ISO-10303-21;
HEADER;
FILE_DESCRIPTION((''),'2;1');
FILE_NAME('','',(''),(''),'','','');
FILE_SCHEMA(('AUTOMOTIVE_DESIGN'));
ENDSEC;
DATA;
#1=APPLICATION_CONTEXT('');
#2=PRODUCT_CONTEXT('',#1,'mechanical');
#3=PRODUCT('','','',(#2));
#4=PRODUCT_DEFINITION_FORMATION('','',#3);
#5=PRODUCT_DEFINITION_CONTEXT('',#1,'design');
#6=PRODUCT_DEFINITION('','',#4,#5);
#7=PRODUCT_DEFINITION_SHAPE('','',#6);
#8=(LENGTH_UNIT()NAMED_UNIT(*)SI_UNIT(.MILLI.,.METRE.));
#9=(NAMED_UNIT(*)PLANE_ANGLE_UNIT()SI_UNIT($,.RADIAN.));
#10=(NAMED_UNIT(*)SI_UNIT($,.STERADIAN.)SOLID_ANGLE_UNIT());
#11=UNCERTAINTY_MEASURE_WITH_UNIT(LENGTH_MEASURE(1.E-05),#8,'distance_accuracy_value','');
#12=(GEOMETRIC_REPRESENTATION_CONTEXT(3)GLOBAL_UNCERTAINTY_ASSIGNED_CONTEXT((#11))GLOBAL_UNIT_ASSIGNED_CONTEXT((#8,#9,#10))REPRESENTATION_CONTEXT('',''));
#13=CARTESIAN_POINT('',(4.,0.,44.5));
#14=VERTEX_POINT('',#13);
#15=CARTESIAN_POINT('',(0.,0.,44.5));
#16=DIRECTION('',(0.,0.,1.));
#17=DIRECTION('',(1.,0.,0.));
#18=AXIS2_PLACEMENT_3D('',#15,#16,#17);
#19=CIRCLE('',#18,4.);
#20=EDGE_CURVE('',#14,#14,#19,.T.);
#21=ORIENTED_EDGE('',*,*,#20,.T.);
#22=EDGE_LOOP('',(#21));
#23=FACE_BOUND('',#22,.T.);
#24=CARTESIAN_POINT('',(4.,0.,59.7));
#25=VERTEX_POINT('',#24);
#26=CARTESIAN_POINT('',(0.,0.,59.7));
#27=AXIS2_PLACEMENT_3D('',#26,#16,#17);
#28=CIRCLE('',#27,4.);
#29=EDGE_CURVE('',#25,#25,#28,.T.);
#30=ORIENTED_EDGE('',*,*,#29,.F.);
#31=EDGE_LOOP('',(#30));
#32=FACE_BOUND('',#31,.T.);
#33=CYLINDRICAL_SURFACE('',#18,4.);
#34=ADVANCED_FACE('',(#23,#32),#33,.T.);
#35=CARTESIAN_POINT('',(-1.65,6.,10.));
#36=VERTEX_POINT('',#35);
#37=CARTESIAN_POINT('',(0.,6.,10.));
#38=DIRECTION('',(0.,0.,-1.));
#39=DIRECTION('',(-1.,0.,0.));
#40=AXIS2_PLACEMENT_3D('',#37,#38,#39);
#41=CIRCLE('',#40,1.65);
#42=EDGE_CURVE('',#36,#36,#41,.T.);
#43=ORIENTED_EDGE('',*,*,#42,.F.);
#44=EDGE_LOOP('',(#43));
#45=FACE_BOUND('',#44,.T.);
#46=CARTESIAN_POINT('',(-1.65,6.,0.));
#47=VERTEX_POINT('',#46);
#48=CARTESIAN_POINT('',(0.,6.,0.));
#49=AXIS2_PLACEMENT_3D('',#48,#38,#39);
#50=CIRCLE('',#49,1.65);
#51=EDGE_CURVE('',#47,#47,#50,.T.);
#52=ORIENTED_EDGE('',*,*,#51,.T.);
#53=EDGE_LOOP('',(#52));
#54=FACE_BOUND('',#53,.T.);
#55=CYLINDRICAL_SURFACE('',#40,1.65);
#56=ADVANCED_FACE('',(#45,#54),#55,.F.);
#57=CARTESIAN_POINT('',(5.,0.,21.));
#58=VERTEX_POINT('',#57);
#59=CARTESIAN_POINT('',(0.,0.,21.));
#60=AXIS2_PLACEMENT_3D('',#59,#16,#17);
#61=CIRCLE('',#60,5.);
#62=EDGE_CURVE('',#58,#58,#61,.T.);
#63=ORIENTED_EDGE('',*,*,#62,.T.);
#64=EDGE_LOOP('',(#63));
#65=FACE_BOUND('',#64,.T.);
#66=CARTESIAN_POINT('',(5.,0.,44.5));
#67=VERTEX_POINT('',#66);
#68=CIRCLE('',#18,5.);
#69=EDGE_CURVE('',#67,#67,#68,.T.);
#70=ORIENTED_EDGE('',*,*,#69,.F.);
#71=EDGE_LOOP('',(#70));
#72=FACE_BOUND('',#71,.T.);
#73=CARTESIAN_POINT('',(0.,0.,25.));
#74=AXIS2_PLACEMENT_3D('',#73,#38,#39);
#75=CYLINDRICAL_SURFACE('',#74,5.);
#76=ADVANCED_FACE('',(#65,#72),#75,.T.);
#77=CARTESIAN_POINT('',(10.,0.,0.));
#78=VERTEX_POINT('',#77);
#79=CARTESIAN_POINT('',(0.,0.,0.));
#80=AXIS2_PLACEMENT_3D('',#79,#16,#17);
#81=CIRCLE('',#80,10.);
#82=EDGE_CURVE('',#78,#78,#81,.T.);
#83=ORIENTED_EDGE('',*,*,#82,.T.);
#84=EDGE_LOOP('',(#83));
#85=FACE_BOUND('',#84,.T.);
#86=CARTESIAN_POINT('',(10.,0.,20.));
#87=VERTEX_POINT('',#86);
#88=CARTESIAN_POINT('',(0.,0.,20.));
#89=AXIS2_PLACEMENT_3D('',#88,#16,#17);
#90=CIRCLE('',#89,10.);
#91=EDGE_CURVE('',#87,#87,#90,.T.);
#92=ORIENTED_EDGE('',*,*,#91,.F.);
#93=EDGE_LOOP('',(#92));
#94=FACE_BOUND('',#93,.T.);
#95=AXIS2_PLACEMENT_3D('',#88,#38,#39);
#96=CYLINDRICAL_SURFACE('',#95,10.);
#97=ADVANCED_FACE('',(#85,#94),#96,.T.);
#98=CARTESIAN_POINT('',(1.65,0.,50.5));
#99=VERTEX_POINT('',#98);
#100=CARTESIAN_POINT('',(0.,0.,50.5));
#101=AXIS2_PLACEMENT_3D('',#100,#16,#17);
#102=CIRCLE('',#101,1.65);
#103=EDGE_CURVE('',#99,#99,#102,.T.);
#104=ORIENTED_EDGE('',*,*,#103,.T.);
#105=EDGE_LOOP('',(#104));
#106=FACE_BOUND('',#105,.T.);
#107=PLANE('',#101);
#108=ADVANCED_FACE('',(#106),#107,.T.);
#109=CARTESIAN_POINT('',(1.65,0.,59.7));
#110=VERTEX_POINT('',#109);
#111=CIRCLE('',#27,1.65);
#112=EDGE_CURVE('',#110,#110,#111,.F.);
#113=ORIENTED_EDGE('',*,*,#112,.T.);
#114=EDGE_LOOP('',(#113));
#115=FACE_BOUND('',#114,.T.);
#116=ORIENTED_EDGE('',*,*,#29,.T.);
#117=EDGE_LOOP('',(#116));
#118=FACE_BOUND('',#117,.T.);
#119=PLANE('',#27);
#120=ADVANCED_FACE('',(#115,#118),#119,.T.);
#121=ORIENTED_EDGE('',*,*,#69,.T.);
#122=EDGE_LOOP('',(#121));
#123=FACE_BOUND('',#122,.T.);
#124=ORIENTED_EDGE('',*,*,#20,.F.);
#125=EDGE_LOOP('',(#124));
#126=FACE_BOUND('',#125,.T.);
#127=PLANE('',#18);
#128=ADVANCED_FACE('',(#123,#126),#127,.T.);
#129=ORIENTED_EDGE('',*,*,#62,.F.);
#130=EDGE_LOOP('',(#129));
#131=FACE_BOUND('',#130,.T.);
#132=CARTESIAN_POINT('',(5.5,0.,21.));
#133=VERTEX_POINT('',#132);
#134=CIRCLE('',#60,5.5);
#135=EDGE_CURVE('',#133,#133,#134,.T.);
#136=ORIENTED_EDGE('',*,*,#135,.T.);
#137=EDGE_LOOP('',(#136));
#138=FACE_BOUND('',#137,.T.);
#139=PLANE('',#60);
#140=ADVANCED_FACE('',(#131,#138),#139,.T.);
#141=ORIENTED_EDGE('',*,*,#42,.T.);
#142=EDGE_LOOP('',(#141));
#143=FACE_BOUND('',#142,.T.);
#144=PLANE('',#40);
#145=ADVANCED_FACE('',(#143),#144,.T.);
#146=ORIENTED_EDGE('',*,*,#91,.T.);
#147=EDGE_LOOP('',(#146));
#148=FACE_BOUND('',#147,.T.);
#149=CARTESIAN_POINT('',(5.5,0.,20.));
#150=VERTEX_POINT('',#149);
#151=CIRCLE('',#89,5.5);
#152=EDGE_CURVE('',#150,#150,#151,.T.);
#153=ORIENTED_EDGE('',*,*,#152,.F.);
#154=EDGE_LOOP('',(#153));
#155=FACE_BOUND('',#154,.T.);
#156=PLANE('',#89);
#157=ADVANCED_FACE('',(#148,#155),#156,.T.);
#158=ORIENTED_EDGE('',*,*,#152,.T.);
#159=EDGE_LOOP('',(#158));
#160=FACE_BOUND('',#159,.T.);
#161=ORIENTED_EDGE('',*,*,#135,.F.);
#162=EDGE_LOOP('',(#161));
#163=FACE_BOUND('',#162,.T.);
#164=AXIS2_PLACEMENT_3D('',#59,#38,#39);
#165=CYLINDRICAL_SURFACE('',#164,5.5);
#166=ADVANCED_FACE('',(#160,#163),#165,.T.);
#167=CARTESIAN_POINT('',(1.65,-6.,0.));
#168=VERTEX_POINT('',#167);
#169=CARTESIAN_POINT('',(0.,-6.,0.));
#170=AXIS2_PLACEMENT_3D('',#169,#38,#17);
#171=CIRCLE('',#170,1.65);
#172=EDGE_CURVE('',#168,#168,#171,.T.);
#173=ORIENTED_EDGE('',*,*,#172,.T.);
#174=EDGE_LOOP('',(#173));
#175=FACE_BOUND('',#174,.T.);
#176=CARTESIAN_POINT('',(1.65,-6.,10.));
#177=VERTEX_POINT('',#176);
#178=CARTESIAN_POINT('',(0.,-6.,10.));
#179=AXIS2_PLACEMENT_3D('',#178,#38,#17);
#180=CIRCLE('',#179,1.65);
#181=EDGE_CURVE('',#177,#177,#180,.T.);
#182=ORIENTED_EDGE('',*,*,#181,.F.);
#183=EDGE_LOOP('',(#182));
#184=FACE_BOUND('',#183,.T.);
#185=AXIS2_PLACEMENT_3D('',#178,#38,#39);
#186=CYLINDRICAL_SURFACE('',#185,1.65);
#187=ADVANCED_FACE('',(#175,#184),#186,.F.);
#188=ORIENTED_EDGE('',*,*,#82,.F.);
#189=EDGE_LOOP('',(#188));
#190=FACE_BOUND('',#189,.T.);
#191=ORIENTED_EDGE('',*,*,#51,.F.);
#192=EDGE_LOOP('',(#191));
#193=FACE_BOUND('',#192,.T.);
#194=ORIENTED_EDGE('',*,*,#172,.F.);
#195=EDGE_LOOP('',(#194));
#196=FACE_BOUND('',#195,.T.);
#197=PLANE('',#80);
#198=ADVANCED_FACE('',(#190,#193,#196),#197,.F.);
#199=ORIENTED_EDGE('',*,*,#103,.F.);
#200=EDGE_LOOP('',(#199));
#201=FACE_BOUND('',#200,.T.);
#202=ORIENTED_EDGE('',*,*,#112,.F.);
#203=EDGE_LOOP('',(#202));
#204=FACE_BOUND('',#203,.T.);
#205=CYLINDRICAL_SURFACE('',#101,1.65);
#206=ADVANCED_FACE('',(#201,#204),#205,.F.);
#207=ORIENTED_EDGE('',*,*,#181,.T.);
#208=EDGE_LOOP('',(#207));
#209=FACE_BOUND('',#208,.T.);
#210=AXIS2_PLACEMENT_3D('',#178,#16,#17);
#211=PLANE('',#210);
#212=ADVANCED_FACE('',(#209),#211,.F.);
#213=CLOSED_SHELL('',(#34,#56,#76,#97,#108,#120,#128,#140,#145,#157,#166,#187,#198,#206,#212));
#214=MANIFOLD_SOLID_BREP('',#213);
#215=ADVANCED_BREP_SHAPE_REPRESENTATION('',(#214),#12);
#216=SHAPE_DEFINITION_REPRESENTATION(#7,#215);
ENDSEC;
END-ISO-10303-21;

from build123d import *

# Parameters (mm, degrees)
SKETCH_1_R          = 10
EXTRUDE_1_DEPTH     = 20
SKETCH_2_R          = 5
EXTRUDE_2_DEPTH     = 5
SKETCH_4_R          = 5.5
SKETCH_4_R_2        = 5
EXTRUDE_3_DEPTH     = 1
SKETCH_5_R          = 1.65
CUT_EXTRUDE_1_DEPTH = 10
SKETCH_6_R          = 5
EXTRUDE_4_DEPTH     = 35.5
SKETCH_7_OUTSIDE_W  = 35.358
SKETCH_7_OUTSIDE_H  = 35.358
SKETCH_7_OUTSIDE_R  = 4
CUT_EXTRUDE_2_DEPTH = 16
SKETCH_8_R          = 1.65
CUT_EXTRUDE_3_DEPTH = 10
SKETCH_9_R          = 4
CUT_EXTRUDE_4_DEPTH = 0.8


with BuildPart() as part:
    # ｽｹｯﾁ1 → ﾎﾞｽ - 押し出し1 (new body)
    with BuildSketch(Plane.XY):
        Circle(SKETCH_1_R)
    extrude(amount=EXTRUDE_1_DEPTH)

    # ｽｹｯﾁ2 → ﾎﾞｽ - 押し出し2 (add)
    with BuildSketch(Plane.XY.offset(20)):
        Circle(SKETCH_2_R)
    extrude(amount=EXTRUDE_2_DEPTH)

    # ｽｹｯﾁ4 → ﾎﾞｽ - 押し出し3 (add)
    with BuildSketch(Plane.XY.offset(20)):
        Circle(SKETCH_4_R)
        Circle(SKETCH_4_R_2, mode=Mode.SUBTRACT)
    extrude(amount=EXTRUDE_3_DEPTH)

    # ｽｹｯﾁ5 → ｶｯﾄ - 押し出し1 (cut)
    with BuildSketch(Plane(origin=(0, 0, 0), x_dir=(-1, 0, 0), z_dir=(0, 0, -1))):
        with Locations((0, 6)):
            Circle(SKETCH_5_R)
        with Locations(Location((0, -6, 0), (0, 0, 180))):
            Circle(SKETCH_5_R)
    extrude(amount=-CUT_EXTRUDE_1_DEPTH, mode=Mode.SUBTRACT)

    # ｽｹｯﾁ6 → ﾎﾞｽ - 押し出し4 (add)
    with BuildSketch(Plane.XY.offset(25)):
        Circle(SKETCH_6_R)
    extrude(amount=EXTRUDE_4_DEPTH)

    # ｽｹｯﾁ7 outside → ｶｯﾄ - 押し出し2 (cut)
    with BuildSketch(Plane.XY.offset(60.5)):
        Rectangle(SKETCH_7_OUTSIDE_W, SKETCH_7_OUTSIDE_H)
        Circle(SKETCH_7_OUTSIDE_R, mode=Mode.SUBTRACT)
    extrude(amount=-CUT_EXTRUDE_2_DEPTH, mode=Mode.SUBTRACT)

    # ｽｹｯﾁ8 → ｶｯﾄ - 押し出し3 (cut)
    with BuildSketch(Plane.XY.offset(60.5)):
        Circle(SKETCH_8_R)
    extrude(amount=-CUT_EXTRUDE_3_DEPTH, mode=Mode.SUBTRACT)

    # ｽｹｯﾁ9 → ｶｯﾄ - 押し出し4 (cut)
    with BuildSketch(Plane.XY.offset(60.5)):
        Circle(SKETCH_9_R)
    extrude(amount=-CUT_EXTRUDE_4_DEPTH, mode=Mode.SUBTRACT)


solid = part.part
